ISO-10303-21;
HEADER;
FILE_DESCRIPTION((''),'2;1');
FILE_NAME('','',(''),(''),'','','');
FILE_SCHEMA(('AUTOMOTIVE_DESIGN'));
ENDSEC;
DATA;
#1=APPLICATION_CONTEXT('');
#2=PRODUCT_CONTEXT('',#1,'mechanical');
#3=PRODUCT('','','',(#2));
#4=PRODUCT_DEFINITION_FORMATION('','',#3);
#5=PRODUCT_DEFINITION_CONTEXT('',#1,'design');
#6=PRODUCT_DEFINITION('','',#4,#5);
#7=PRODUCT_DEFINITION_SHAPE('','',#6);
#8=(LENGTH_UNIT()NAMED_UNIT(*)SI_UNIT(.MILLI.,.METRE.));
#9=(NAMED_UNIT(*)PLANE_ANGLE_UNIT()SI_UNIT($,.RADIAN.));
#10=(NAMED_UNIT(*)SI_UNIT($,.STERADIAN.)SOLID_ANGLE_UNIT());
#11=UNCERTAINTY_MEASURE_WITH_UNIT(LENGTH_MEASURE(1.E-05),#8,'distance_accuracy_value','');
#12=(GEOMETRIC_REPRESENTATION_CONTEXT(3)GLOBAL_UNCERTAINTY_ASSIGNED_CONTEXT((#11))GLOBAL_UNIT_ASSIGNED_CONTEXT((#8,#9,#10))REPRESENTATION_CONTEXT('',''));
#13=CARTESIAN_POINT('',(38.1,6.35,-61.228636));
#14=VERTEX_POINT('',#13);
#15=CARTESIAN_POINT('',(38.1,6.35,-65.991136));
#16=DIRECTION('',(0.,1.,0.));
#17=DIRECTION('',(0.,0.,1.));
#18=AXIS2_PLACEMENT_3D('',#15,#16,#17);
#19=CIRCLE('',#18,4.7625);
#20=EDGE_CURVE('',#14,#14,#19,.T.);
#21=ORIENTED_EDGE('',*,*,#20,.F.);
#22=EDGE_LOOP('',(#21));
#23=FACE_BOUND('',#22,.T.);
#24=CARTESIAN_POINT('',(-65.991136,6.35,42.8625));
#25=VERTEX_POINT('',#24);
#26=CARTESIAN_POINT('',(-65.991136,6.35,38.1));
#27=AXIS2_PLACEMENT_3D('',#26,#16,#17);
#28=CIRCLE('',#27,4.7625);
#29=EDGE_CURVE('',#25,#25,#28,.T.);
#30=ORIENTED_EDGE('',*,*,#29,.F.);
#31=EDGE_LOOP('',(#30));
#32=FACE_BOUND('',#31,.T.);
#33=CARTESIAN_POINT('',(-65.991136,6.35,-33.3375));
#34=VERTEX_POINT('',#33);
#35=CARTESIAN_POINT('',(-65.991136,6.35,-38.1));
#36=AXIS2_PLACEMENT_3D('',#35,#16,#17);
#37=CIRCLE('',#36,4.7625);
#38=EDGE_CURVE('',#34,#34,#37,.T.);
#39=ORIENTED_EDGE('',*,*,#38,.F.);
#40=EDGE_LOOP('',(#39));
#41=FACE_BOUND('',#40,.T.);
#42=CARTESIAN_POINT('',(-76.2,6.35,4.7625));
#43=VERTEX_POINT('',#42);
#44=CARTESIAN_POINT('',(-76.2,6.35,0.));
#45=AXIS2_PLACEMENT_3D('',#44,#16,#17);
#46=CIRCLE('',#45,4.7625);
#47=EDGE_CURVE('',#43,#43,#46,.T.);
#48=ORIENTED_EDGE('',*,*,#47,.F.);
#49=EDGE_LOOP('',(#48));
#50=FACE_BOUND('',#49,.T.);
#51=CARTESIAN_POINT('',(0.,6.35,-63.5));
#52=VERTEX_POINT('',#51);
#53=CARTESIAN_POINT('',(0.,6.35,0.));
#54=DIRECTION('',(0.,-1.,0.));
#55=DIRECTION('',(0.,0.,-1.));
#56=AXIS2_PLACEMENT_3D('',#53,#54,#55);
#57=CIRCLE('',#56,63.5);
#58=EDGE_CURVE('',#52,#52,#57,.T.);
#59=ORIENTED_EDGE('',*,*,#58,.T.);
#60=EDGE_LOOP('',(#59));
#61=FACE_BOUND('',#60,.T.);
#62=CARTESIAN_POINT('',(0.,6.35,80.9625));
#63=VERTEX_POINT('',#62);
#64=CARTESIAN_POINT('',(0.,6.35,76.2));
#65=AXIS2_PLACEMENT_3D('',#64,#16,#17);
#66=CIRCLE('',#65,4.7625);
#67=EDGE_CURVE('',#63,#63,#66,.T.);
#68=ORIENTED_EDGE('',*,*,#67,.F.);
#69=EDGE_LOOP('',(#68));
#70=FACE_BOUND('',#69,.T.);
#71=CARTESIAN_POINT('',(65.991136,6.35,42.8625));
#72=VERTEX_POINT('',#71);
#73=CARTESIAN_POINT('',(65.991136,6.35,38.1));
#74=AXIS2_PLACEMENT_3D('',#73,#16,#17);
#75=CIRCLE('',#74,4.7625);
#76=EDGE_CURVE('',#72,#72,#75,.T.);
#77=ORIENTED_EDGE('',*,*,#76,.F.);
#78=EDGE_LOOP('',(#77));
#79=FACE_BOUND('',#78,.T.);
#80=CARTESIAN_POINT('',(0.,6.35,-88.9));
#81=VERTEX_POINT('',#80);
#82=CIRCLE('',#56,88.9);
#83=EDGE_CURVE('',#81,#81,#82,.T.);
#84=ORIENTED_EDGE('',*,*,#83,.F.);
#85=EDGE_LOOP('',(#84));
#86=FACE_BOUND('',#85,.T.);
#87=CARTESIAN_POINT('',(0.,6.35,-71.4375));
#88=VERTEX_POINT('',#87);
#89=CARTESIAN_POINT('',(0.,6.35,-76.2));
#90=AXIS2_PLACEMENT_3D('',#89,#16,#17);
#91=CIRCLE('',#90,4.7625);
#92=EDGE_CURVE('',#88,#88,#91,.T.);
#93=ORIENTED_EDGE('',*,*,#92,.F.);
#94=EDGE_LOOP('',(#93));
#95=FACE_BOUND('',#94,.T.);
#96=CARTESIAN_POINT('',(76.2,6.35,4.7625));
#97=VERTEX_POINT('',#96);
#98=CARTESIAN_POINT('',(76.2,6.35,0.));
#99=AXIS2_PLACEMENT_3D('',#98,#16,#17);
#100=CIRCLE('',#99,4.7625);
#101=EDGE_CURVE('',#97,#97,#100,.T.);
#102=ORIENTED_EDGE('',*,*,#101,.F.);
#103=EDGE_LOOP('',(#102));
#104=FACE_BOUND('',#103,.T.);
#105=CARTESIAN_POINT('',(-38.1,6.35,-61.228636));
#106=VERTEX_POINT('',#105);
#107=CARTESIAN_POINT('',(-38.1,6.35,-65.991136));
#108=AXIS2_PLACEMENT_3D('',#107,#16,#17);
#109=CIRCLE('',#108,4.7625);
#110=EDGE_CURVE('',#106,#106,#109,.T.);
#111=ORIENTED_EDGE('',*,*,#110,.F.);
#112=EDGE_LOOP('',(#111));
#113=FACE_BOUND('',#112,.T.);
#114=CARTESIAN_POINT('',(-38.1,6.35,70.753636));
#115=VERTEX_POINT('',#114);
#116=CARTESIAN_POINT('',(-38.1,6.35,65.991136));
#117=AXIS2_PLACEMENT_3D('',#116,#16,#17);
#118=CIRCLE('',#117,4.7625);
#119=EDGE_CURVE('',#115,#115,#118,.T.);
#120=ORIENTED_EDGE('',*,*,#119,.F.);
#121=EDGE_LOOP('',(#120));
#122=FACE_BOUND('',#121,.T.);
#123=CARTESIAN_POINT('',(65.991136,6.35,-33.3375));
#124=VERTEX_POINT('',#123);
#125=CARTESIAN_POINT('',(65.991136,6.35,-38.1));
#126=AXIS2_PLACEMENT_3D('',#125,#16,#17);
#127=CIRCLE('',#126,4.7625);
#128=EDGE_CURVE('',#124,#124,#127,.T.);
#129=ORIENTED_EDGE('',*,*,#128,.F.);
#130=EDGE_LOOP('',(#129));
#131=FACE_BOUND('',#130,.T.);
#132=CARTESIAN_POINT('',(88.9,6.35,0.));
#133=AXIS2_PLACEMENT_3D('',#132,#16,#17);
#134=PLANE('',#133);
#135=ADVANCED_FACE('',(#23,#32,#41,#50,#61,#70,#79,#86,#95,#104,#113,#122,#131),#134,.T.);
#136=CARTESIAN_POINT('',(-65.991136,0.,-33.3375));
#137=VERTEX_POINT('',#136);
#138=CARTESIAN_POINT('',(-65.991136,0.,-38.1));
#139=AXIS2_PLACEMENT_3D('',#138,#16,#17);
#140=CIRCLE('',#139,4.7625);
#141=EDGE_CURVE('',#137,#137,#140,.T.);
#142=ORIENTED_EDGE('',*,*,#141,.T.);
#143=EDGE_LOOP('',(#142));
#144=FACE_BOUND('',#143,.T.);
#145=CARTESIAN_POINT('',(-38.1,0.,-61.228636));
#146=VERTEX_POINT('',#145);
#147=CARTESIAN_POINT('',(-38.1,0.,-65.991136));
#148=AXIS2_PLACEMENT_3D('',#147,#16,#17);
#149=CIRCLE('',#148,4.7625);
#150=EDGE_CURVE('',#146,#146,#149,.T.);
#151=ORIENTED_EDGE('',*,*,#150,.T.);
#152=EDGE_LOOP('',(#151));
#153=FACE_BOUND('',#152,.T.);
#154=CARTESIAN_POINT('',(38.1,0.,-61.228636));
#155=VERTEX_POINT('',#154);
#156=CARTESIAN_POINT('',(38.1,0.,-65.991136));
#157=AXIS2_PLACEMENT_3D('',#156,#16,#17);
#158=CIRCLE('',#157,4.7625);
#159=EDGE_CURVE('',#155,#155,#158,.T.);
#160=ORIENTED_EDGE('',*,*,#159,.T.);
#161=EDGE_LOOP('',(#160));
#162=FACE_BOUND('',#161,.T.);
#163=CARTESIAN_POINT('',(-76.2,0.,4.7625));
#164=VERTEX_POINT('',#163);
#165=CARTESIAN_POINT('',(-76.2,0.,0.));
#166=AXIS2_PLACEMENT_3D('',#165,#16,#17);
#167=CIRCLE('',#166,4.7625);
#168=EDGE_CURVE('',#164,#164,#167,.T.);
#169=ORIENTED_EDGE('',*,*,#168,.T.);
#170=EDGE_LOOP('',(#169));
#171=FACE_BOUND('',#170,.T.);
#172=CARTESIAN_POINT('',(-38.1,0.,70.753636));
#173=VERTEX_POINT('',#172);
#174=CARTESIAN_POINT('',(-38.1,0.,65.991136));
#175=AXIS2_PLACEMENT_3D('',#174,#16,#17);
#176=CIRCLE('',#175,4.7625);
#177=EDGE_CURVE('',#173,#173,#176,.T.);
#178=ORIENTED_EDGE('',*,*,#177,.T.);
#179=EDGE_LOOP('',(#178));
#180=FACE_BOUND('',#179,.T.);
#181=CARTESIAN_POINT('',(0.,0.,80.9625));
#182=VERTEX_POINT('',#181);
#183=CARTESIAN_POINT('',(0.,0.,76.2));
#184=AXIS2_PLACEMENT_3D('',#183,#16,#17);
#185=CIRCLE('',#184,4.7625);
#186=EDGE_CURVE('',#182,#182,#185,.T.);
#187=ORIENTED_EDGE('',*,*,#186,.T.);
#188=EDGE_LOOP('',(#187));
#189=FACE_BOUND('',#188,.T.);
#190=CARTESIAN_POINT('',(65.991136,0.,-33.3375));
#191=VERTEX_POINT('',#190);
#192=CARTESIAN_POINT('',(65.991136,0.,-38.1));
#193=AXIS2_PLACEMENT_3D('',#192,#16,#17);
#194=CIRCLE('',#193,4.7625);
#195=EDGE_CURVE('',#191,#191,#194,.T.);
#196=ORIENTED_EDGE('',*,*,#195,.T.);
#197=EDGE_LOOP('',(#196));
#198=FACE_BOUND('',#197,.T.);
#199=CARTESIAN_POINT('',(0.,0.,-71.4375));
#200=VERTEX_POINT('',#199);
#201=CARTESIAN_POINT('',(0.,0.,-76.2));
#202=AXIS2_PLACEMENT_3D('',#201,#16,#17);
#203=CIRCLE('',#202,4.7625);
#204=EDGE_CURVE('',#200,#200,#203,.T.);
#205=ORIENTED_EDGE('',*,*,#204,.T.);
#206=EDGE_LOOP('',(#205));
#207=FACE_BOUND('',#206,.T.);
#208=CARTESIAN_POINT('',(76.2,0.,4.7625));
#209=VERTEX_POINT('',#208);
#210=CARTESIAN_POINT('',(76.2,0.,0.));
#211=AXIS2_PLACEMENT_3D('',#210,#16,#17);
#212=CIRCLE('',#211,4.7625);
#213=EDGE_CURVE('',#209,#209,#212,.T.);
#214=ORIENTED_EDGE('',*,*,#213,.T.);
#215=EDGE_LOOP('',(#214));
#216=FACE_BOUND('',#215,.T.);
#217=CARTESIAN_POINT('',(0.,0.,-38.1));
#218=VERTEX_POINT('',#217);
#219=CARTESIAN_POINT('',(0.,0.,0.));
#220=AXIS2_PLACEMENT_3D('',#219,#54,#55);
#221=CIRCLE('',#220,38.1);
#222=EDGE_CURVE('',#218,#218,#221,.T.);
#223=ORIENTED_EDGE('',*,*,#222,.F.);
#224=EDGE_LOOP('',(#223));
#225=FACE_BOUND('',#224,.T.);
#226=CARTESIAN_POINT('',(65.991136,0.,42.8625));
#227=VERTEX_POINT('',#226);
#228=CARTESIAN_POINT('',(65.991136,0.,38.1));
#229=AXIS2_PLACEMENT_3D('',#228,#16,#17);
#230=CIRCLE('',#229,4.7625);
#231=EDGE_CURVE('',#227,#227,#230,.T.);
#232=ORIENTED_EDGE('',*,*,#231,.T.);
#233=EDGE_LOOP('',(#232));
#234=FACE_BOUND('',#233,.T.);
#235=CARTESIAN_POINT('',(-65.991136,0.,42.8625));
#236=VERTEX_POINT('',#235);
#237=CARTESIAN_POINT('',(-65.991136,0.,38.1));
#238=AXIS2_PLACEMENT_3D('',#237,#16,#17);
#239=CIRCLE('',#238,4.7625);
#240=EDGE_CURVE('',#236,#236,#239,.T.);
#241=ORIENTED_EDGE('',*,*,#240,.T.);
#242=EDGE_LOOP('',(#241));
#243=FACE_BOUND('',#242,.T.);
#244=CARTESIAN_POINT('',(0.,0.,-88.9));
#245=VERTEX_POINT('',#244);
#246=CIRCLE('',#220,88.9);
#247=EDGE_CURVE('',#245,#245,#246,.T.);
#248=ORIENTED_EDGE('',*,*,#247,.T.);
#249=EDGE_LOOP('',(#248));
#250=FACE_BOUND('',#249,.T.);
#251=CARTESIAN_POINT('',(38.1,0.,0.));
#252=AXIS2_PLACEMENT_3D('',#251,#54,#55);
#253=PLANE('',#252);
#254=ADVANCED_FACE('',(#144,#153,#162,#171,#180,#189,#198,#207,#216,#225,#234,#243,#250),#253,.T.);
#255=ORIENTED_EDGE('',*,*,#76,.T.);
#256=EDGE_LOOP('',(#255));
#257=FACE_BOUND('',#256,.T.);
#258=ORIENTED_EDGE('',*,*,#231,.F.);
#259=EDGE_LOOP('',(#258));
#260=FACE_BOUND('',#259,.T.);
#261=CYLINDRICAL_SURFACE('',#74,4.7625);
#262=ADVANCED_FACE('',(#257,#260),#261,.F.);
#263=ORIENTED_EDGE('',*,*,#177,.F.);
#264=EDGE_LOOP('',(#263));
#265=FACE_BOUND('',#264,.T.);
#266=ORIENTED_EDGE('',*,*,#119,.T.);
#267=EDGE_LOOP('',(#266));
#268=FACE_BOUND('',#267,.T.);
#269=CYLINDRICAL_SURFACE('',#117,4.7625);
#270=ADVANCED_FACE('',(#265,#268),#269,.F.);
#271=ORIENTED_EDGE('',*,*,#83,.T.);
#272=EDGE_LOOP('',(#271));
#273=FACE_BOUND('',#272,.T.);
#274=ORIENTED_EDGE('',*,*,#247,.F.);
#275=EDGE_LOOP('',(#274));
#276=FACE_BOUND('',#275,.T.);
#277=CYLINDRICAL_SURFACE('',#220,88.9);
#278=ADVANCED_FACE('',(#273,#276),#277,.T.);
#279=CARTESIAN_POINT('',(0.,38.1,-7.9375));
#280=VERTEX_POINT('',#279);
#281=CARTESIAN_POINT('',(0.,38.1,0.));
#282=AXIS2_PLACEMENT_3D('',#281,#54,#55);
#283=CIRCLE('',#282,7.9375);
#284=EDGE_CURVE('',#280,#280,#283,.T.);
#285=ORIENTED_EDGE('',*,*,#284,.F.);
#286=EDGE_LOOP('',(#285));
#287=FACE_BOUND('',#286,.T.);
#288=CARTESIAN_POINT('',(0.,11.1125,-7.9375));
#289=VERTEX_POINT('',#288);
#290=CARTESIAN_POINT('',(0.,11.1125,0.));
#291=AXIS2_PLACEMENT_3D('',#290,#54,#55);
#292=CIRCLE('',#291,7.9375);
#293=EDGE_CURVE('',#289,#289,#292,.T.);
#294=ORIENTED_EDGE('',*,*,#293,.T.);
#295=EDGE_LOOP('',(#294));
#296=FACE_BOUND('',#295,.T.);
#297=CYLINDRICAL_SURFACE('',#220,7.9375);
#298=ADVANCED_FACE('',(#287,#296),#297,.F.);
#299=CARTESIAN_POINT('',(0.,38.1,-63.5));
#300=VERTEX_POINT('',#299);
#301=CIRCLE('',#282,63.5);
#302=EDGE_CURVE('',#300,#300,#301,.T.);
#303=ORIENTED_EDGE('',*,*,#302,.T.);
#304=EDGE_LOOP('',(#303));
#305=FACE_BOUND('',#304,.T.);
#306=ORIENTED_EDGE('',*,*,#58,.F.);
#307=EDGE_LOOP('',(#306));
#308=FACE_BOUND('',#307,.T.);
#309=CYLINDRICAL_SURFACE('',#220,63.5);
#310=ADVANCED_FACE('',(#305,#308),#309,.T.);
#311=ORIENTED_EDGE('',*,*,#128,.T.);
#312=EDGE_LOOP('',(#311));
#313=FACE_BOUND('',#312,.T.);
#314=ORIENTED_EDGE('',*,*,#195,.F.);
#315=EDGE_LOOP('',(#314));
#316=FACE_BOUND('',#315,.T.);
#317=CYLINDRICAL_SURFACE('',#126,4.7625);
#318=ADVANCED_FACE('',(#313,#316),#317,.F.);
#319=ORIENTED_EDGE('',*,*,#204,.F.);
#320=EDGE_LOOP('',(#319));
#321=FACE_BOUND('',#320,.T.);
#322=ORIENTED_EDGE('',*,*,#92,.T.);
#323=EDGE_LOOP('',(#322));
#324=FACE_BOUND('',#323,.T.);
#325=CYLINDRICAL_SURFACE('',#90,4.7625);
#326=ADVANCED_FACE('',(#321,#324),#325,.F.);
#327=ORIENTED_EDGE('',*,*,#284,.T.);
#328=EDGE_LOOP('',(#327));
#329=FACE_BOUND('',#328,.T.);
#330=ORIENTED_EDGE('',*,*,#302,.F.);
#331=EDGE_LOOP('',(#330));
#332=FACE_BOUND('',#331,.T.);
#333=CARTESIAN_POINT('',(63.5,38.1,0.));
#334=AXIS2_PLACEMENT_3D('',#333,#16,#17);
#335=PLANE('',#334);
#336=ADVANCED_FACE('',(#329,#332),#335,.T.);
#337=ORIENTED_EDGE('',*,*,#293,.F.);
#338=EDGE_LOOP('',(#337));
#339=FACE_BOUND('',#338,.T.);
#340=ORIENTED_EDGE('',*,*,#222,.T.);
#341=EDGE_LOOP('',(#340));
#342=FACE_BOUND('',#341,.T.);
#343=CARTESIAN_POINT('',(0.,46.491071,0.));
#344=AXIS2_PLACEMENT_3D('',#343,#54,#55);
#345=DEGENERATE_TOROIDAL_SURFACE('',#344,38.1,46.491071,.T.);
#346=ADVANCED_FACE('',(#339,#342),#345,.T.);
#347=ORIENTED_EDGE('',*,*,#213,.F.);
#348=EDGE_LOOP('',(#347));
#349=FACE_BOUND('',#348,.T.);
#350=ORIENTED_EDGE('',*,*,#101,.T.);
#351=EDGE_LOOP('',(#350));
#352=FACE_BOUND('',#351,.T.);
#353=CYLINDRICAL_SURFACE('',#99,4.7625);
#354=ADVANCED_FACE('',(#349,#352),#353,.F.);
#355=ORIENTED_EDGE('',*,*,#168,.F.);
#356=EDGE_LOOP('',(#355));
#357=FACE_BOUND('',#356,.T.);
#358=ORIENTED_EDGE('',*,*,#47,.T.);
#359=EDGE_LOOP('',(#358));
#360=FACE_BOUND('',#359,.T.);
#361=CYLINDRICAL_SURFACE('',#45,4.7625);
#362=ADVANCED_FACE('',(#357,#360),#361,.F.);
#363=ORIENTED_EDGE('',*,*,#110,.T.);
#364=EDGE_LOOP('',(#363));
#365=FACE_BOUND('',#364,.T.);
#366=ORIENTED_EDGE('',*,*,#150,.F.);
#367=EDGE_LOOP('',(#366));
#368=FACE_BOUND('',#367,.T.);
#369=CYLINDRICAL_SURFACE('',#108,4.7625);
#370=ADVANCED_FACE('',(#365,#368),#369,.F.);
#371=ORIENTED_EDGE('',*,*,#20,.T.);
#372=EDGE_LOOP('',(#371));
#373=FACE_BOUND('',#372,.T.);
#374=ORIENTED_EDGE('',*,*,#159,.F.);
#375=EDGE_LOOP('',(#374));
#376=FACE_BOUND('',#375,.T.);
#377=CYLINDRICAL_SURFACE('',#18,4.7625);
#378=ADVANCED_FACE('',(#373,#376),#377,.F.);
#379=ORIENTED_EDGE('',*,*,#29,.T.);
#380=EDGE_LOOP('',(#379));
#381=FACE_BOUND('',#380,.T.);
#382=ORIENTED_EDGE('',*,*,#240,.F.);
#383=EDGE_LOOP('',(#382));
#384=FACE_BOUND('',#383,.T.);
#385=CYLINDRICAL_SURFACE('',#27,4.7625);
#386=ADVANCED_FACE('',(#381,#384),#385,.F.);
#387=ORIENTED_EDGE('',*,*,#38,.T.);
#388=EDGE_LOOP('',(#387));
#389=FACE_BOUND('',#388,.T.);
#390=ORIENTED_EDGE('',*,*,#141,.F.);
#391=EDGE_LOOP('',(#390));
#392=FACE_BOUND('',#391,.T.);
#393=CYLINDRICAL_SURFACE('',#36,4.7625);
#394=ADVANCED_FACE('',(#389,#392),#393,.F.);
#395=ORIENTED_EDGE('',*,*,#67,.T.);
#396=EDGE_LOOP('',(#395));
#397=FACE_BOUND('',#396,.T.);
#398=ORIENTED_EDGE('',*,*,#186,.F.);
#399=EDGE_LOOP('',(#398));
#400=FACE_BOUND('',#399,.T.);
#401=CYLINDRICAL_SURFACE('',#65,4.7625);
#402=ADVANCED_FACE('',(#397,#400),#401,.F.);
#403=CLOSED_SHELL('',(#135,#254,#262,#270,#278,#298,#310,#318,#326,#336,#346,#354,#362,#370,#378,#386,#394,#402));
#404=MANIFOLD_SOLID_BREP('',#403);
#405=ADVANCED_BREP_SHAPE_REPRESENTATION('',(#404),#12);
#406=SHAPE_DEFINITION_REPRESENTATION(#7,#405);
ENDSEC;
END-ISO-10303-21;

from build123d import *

# Parameters (mm, degrees)
F_3_8_0_375_DIAMETER_HOLE2_D = 9.525
CIRPATTERN2_COUNT            = 12


with BuildPart() as part:
    # Sketch1 → Revolve1 (revolve)
    with BuildSketch(Plane.XY, mode=Mode.PRIVATE) as revolve1_sk:
        with BuildLine():
            Line((7.9375, 38.1), (7.9375, 11.1125))
            ThreePointArc((7.9375, 11.1125), (22.02778747, 2.86649456), (38.1, 0))
            Line((38.1, 0), (88.9, 0))
            Line((88.9, 0), (88.9, 6.35))
            Line((88.9, 6.35), (63.5, 6.35))
            Line((63.5, 6.35), (63.5, 38.1))
            Line((63.5, 38.1), (7.9375, 38.1))
        make_face()
    revolve(revolve1_sk.sketch.rotate(Axis((0, 0, 0), (0, 1, 0)), 90), axis=Axis((0, 0, 0), (0, 1, 0)))

    # 3/8 (0.375) Diameter Hole2 (through all)
    with Locations(Plane(origin=(0, 6.35, 0), x_dir=(1, 0, 0), z_dir=(0, 1, 0))):
        with Locations((0, -76.2)):
            f_3_8_0_375_diameter_hole2 = Hole(F_3_8_0_375_DIAMETER_HOLE2_D / 2)

    # CirPattern2: 3/8 (0.375) Diameter Hole2 ×12 about axis, 1 skipped
    cirpattern2_axis = Axis((0, 0, 0), (0, 1, 0))
    add([f_3_8_0_375_diameter_hole2.rotate(cirpattern2_axis, i * 360 / CIRPATTERN2_COUNT) for i in range(1, CIRPATTERN2_COUNT) if i not in (1,)], mode=Mode.SUBTRACT)


solid = part.part
